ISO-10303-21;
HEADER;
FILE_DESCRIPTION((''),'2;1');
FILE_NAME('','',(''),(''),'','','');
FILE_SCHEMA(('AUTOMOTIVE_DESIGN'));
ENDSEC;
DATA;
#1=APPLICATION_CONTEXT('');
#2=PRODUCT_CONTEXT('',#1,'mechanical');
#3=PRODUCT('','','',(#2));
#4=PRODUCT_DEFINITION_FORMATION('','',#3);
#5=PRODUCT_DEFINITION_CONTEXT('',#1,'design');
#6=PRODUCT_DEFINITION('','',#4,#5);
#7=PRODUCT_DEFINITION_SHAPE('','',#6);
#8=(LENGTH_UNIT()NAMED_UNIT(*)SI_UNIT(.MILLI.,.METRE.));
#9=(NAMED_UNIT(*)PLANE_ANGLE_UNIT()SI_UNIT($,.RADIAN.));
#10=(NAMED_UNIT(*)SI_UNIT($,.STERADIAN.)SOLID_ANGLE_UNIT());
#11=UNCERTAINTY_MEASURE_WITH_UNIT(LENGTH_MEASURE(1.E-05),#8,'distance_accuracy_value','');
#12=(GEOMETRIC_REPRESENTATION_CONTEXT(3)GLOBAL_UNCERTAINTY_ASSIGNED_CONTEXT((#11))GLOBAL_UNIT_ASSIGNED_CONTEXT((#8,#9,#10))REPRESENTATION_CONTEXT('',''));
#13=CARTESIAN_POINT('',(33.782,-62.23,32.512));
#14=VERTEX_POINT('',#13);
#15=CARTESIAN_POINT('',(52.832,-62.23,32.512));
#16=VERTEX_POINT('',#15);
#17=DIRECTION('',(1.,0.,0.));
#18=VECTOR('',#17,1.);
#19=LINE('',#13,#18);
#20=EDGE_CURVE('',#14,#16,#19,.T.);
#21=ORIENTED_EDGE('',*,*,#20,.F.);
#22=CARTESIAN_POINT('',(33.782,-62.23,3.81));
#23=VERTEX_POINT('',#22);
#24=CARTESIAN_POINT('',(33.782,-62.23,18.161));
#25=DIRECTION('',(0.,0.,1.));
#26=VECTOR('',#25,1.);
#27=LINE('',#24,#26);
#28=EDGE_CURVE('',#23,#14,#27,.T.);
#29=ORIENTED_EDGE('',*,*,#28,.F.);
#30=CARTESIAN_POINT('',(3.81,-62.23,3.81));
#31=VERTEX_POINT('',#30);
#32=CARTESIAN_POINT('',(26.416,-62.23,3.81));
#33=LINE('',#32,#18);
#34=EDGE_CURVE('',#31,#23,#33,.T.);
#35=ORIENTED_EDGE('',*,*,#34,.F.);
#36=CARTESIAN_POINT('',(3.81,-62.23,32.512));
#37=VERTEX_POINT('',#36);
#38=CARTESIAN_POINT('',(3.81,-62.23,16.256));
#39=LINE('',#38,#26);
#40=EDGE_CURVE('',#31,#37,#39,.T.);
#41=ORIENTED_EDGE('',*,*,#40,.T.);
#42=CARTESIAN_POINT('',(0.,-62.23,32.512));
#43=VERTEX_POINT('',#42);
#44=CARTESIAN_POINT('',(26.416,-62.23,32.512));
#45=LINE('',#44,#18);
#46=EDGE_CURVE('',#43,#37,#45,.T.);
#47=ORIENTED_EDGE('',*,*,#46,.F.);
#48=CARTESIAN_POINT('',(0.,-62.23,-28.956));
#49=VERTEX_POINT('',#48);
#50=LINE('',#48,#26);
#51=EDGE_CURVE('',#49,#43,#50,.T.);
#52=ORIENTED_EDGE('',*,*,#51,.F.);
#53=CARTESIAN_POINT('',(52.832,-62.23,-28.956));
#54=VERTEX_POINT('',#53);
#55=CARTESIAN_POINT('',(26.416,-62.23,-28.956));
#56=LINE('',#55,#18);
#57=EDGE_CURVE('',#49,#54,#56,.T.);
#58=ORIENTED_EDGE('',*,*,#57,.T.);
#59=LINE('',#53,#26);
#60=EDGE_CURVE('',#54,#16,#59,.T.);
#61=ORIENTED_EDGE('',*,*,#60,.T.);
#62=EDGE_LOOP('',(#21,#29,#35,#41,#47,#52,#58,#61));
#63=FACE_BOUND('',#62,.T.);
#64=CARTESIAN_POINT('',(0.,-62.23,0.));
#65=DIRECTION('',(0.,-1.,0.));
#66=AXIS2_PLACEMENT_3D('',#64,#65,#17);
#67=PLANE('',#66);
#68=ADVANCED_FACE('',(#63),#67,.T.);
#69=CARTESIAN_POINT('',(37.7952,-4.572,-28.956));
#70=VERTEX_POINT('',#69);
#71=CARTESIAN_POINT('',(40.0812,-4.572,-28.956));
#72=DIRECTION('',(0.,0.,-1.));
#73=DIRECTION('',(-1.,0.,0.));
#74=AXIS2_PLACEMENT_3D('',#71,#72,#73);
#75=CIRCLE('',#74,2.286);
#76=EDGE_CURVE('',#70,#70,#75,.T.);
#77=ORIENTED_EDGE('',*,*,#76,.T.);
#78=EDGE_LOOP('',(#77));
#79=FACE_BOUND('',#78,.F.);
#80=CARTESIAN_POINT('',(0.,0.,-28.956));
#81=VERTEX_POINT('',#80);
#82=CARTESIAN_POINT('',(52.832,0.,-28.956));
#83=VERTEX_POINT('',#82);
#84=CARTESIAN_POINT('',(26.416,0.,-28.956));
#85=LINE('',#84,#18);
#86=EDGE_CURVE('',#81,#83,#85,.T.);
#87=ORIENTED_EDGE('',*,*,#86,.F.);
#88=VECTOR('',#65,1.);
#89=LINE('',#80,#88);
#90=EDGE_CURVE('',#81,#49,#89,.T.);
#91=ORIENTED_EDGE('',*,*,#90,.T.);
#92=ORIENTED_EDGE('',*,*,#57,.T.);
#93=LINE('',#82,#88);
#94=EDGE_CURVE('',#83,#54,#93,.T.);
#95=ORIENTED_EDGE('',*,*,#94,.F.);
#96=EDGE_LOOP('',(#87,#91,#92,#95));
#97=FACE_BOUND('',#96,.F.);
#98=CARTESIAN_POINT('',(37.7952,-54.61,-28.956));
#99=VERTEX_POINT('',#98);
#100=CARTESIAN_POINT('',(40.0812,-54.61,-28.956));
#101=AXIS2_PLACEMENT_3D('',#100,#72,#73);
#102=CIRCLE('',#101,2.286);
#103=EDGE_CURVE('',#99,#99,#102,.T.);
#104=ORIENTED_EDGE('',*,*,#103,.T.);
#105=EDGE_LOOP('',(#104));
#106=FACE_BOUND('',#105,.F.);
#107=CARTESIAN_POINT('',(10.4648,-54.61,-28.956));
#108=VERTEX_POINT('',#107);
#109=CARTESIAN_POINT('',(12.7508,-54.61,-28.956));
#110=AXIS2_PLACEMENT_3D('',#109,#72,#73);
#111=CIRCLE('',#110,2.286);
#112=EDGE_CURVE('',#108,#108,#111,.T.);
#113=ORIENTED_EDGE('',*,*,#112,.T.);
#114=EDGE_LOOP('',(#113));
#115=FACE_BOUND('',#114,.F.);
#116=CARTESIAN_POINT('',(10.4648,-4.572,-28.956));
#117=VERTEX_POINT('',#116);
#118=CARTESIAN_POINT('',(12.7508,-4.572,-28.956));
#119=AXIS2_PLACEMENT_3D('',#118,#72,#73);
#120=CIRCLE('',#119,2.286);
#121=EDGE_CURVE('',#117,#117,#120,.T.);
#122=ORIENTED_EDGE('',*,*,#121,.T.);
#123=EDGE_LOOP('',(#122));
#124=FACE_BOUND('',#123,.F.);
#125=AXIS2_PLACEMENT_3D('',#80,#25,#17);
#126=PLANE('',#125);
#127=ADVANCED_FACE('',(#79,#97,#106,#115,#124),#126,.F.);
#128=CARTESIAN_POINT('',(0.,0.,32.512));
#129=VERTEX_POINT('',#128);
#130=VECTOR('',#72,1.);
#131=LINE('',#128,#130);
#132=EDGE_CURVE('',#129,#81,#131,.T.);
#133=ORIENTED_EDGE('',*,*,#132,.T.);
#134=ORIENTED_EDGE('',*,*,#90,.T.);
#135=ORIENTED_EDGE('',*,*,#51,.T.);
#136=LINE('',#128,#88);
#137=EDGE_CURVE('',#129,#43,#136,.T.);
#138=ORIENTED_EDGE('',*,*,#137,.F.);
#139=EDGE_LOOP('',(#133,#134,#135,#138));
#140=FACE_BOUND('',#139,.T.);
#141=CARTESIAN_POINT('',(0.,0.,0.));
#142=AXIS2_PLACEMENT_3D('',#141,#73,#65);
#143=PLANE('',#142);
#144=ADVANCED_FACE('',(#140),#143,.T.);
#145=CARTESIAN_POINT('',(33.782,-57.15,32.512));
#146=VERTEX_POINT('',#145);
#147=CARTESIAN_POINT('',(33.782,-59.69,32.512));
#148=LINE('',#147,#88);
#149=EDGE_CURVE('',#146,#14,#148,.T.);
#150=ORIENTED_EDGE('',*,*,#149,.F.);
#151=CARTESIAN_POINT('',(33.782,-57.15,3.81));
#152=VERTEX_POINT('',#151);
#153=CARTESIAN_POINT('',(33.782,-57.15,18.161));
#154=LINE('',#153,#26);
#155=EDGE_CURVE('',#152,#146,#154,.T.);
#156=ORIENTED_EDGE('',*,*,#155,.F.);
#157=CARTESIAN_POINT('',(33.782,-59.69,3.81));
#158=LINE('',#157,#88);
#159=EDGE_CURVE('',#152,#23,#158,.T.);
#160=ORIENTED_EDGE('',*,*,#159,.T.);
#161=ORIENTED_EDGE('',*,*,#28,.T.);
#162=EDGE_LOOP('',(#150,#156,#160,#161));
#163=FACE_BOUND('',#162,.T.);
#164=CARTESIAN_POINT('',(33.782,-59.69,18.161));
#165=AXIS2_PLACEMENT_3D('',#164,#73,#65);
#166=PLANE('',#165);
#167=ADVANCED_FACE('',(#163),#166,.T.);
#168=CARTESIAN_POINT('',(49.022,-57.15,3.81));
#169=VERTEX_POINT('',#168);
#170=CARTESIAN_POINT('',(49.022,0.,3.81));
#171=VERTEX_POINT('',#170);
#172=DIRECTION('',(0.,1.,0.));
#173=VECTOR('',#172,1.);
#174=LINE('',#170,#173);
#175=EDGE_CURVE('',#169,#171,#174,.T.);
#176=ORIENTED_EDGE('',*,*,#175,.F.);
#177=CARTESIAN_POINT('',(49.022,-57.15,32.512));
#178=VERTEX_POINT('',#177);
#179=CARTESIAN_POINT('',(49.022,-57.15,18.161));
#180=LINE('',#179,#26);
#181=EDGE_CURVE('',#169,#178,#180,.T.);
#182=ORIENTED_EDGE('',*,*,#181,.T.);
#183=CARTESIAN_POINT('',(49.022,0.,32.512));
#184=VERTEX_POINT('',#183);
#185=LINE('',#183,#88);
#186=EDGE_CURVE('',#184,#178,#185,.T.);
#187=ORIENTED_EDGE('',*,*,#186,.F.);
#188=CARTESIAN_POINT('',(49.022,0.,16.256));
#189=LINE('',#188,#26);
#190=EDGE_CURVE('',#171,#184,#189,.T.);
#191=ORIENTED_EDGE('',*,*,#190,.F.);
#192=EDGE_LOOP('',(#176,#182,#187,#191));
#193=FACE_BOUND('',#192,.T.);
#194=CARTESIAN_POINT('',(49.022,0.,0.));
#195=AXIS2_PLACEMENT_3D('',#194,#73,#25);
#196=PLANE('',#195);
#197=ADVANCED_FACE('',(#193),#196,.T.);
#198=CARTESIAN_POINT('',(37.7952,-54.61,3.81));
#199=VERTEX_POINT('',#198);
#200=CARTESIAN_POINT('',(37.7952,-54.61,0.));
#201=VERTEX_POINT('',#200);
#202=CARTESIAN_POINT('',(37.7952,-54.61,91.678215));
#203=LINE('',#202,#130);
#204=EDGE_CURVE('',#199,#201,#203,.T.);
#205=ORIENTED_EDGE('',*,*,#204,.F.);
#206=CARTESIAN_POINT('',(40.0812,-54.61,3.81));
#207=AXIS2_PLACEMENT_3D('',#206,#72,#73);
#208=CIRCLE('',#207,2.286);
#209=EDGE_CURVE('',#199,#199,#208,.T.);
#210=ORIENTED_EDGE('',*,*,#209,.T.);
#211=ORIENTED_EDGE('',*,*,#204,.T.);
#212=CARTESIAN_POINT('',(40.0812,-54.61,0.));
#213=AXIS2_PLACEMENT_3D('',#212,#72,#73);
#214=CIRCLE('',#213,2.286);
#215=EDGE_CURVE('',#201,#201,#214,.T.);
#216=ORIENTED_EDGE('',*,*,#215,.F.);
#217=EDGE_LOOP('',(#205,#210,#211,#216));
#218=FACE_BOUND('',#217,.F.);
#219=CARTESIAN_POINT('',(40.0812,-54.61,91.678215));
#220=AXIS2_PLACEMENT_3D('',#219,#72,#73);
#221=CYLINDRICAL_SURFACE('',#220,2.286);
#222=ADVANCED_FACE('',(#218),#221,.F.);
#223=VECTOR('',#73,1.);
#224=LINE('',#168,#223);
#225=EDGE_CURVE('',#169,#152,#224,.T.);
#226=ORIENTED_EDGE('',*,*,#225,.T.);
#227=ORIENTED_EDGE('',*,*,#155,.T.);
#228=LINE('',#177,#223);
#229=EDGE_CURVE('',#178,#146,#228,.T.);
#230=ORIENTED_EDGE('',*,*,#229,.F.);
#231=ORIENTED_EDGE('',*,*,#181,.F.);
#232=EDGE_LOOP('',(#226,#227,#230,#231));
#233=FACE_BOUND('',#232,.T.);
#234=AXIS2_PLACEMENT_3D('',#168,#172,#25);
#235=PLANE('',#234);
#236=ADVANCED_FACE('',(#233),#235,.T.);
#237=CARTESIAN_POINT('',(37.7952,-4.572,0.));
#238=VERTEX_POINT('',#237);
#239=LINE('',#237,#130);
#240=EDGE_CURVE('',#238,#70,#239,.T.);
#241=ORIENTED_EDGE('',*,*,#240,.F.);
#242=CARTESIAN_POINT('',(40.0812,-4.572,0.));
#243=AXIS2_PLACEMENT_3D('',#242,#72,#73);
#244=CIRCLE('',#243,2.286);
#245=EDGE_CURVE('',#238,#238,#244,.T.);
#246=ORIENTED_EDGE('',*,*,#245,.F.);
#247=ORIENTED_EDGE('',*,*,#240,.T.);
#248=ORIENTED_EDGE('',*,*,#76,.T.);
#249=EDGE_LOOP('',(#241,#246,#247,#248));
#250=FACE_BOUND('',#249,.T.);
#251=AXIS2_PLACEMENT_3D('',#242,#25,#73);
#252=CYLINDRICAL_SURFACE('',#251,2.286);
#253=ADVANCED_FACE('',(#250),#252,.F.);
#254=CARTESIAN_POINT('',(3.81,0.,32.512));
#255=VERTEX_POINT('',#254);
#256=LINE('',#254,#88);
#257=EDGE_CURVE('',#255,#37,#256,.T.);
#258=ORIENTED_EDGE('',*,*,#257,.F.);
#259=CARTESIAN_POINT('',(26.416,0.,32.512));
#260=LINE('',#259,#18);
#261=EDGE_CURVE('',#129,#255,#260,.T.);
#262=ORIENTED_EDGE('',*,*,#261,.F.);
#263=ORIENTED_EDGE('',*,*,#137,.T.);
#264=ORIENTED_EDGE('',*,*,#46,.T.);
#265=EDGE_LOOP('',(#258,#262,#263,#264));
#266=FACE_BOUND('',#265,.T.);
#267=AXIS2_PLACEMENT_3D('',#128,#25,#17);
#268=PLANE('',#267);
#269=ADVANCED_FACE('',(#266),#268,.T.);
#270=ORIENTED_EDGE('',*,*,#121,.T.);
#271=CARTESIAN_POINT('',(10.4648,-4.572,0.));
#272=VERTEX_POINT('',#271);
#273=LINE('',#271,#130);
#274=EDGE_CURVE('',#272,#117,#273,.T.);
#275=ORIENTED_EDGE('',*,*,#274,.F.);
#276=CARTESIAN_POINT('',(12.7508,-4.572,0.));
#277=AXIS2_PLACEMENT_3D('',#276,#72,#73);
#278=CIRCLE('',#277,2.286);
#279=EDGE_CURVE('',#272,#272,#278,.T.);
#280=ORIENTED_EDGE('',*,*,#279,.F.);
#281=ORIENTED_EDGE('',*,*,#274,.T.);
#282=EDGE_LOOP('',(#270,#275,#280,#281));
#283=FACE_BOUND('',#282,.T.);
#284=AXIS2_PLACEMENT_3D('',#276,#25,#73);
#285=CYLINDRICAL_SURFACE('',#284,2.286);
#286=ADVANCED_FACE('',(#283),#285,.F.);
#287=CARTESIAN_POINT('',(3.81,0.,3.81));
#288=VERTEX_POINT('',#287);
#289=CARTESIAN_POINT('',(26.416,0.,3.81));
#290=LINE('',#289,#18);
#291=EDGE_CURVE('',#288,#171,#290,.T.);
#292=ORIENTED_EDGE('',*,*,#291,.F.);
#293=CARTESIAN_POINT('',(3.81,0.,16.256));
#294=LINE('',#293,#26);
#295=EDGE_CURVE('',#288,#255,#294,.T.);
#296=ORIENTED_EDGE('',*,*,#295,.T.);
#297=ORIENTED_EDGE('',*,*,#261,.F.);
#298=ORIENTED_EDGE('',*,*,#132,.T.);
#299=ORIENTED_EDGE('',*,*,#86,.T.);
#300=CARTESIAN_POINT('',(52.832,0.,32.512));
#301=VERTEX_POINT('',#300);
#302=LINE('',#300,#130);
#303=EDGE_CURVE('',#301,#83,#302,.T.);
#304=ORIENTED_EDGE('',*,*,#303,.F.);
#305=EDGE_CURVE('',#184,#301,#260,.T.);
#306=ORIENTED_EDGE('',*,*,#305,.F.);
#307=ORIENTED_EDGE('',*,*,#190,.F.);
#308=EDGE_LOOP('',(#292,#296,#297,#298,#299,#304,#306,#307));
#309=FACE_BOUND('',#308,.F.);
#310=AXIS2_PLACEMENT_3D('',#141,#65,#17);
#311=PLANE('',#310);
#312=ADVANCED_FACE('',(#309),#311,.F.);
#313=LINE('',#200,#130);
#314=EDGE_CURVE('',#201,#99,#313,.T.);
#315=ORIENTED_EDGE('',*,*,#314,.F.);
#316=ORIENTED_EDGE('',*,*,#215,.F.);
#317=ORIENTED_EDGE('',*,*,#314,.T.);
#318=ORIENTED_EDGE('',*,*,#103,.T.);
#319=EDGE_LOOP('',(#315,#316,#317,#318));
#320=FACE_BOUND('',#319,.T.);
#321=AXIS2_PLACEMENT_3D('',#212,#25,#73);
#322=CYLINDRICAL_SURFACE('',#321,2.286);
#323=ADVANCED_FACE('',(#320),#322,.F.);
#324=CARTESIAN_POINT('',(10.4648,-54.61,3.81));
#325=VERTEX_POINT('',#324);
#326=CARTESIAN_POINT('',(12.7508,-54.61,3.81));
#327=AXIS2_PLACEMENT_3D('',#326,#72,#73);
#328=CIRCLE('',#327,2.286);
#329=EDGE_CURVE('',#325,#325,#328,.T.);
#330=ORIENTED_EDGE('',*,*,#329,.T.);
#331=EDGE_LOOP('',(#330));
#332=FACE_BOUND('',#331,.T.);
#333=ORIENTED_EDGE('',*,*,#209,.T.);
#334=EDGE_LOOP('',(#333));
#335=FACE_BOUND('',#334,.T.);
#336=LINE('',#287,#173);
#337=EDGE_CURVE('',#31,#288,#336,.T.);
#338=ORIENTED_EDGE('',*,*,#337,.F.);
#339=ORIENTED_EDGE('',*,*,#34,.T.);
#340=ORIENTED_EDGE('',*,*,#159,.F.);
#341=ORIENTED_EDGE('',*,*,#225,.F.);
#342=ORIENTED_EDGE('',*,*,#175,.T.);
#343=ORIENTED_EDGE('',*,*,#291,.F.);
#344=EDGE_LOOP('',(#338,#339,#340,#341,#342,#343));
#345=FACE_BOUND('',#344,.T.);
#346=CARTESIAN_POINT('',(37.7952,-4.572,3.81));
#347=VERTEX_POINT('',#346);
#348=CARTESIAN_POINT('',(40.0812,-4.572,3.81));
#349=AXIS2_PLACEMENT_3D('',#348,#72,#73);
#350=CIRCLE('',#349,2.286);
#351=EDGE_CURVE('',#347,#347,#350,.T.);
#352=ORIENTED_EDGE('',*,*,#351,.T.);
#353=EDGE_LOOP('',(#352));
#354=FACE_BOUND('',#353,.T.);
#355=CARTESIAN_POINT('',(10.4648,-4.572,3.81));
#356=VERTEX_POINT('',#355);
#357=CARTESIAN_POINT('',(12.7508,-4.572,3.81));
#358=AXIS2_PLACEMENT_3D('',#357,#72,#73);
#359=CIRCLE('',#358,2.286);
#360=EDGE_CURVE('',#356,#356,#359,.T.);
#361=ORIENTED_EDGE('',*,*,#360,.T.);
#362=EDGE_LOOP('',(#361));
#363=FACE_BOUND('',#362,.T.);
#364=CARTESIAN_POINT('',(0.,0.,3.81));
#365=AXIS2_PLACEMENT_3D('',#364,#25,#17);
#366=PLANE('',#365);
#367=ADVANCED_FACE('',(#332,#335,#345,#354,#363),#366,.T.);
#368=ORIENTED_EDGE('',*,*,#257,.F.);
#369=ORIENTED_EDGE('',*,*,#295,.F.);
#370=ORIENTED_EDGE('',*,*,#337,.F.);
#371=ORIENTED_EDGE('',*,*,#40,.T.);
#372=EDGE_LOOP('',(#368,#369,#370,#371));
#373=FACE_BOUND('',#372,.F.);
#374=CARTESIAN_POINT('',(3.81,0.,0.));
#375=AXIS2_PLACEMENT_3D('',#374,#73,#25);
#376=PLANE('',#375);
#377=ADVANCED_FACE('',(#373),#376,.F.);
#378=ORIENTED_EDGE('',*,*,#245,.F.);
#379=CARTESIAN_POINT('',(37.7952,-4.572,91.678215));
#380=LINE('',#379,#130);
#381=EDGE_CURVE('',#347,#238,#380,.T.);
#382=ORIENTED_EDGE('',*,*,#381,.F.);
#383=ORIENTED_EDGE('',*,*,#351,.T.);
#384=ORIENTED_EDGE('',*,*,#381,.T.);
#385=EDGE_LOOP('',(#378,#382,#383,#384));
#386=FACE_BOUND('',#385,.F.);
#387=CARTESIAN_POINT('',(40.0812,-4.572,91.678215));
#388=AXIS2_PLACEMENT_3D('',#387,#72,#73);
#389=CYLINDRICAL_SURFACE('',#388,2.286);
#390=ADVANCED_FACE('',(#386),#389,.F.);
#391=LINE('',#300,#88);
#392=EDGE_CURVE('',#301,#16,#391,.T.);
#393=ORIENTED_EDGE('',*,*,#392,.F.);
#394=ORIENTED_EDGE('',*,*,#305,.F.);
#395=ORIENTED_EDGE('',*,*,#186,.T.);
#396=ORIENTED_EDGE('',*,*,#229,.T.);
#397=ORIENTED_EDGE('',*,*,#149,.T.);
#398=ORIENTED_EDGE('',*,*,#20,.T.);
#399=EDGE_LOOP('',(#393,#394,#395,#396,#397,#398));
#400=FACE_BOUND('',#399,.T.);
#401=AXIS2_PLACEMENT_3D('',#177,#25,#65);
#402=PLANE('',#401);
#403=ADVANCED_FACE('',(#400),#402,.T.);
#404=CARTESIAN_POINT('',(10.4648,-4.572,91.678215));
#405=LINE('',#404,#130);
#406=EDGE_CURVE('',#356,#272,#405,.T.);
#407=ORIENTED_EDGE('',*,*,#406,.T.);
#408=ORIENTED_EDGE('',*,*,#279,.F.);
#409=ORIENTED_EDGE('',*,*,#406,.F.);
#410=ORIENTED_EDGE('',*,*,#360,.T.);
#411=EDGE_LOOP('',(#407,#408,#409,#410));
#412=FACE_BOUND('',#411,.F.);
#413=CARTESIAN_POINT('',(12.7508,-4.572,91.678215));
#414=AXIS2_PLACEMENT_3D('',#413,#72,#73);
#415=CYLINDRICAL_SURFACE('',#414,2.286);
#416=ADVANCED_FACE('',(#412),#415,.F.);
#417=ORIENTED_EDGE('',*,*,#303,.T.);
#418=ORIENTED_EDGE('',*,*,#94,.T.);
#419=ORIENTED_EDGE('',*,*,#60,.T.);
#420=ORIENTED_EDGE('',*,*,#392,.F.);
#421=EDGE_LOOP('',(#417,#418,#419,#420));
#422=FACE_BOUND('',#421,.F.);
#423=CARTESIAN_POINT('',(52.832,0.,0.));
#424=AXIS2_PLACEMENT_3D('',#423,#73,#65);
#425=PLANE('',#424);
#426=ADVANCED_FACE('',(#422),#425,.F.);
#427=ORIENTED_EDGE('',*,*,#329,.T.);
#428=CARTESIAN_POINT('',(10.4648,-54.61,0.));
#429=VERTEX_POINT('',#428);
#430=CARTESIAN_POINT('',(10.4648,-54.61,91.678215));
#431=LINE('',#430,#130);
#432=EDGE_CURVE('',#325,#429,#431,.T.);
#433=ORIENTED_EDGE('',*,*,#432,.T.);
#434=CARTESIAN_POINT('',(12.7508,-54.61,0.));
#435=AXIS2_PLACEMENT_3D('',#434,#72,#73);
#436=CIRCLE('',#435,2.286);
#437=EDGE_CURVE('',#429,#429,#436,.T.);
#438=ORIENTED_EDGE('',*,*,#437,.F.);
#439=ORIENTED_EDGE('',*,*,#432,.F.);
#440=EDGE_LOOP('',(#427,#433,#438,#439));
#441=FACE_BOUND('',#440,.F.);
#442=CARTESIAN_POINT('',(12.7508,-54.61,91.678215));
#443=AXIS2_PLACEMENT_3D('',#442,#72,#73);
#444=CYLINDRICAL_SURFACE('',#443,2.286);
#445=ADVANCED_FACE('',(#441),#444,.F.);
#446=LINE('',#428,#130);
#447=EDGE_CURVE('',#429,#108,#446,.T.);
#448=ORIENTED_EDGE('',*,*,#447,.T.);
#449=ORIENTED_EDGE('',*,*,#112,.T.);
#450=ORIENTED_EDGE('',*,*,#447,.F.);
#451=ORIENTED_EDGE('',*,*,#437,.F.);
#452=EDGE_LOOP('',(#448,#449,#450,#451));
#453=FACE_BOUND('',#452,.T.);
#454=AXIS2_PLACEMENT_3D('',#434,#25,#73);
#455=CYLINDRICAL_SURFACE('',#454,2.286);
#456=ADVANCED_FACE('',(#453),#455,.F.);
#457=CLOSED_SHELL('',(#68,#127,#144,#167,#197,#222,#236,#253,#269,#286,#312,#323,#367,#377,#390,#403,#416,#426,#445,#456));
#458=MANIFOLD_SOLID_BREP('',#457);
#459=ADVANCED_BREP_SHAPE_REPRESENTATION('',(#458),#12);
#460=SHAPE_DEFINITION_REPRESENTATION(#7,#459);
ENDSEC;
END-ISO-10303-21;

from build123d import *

# Parameters (mm, degrees)
F0_W     = 52.832
F0_H     = 32.512
F1_DEPTH = 62.23
F2_T     = -3.81
F3_W     = 5.08
F3_H     = 28.702
F4_DEPTH = 15.24
F6_D     = 4.572
F7_DEPTH = 28.956


with BuildPart() as f1:
    # F0 (on Front) → F1 (new body)
    with BuildSketch(Plane.XZ):
        with Locations((26.416, 16.256)):
            Rectangle(F0_W, F0_H)
    extrude(amount=F1_DEPTH)

    # F2
    f2_openings = [f1.faces().sort_by_distance(p)[0] for p in [
        (26.416, 0, 16.256),
        (26.416, -31.115, 32.512),
        (26.416, -62.23, 16.256),
    ]]
    offset(amount=F2_T, openings=f2_openings)

    # F3 (on face) → F4 (join)
    with BuildSketch(Plane(origin=(49.022, 0, 0), x_dir=(0, -1, 0), z_dir=(-1, 0, 0))):
        with Locations((59.69, 18.161)):
            Rectangle(F3_W, F3_H)
    extrude(amount=F4_DEPTH)

    # F6 (through all)
    with Locations(Plane.XY.offset(3.81)):
        with Locations((12.7508, -4.572), (40.0812, -54.61), (12.7508, -54.61), (40.0812, -4.572)):
            Hole(F6_D / 2)

    # F7 (add): a face of the model
    f7_faces = [f1.faces().sort_by_distance(p)[0] for p in [
        (26.416, -31.1460608146, 0),
    ]]
    extrude(f7_faces, amount=F7_DEPTH)


solid = f1.part
